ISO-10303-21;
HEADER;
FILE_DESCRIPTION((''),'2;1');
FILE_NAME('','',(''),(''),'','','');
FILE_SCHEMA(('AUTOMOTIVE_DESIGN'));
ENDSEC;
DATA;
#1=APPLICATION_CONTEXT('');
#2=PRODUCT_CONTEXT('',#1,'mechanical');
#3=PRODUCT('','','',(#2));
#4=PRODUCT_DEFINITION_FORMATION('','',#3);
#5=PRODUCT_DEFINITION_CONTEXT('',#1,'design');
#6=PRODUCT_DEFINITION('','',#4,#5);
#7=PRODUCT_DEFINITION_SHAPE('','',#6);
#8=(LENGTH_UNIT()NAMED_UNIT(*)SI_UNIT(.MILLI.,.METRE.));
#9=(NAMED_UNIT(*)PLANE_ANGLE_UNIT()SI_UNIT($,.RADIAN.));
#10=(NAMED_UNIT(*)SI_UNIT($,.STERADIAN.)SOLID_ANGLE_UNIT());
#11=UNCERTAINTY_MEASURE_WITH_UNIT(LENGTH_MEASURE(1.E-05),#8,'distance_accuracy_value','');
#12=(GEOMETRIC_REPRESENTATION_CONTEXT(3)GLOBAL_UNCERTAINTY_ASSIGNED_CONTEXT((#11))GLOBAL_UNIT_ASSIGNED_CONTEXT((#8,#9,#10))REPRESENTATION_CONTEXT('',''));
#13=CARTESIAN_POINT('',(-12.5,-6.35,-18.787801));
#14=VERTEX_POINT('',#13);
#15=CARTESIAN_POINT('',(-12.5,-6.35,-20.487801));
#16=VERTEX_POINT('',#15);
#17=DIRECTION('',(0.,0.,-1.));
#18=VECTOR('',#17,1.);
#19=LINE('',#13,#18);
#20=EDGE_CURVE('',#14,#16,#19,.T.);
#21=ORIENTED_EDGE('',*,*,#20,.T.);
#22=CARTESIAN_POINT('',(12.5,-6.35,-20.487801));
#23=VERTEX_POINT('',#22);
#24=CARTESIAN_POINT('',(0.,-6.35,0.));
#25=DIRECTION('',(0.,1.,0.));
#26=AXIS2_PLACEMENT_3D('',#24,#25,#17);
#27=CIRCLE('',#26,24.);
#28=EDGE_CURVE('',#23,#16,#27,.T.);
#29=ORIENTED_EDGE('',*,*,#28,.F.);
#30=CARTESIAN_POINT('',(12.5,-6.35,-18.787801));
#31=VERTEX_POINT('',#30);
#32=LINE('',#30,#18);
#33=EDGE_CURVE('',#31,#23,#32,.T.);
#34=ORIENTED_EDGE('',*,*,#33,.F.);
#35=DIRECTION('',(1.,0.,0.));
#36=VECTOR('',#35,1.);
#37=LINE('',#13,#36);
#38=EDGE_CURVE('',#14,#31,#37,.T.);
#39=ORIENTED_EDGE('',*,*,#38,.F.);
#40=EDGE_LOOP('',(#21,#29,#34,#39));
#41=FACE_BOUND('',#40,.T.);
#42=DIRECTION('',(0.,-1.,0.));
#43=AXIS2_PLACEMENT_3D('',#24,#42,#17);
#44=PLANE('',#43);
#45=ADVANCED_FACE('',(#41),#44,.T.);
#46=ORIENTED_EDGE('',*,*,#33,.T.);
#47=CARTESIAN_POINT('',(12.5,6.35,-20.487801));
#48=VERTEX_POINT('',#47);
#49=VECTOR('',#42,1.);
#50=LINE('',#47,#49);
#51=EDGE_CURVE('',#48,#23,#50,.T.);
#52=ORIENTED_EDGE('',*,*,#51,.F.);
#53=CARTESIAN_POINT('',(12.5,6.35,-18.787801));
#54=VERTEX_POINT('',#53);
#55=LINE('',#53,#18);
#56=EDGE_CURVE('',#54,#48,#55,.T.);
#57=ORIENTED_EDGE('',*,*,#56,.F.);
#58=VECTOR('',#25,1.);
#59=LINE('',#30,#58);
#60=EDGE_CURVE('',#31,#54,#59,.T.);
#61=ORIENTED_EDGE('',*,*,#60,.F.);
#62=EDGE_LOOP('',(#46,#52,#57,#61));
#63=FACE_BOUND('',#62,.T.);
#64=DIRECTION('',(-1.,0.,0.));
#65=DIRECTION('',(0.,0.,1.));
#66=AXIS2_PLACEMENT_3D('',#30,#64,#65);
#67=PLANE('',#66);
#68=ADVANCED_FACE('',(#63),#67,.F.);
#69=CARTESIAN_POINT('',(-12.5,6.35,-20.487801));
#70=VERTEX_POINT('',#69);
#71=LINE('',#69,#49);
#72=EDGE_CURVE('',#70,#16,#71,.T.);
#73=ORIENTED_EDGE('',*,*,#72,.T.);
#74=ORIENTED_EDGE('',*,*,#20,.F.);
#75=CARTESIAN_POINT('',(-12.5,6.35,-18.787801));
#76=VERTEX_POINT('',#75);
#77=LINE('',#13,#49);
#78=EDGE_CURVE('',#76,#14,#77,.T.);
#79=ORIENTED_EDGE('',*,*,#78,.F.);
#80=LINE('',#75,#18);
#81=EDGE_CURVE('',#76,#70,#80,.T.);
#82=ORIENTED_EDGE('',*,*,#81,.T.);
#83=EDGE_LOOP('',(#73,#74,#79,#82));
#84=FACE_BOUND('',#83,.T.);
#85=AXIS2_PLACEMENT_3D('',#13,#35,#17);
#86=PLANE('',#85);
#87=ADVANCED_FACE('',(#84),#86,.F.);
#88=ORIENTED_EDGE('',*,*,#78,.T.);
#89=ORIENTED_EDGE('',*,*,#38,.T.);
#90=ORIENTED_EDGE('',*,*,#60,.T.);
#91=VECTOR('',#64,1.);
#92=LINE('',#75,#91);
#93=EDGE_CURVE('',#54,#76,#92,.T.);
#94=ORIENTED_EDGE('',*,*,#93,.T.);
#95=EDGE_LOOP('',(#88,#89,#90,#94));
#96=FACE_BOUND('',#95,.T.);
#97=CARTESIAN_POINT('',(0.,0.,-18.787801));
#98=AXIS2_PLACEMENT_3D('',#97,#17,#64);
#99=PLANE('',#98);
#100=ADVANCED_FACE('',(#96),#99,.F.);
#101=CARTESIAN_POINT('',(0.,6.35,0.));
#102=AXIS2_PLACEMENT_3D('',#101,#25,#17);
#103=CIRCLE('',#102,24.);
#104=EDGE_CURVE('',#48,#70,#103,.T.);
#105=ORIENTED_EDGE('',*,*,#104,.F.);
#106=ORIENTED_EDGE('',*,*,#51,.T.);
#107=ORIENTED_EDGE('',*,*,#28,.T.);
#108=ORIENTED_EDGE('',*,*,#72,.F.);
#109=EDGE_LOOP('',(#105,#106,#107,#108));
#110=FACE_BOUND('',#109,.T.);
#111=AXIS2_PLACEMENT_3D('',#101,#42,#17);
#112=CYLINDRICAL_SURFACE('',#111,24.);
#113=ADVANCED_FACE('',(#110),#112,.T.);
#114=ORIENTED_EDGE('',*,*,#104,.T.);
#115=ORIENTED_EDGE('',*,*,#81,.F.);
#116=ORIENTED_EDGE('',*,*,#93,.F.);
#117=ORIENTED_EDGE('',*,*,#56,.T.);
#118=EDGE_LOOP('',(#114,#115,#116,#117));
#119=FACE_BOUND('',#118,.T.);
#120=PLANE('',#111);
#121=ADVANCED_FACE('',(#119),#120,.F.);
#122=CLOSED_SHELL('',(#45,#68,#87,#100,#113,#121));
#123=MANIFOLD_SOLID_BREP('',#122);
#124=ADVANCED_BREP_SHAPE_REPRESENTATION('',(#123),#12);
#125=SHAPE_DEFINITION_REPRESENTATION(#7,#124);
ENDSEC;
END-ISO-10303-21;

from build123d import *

# Parameters (mm, degrees)
BOSS_EXTRUDE1_DEPTH = 6.35
SKETCH2_W           = 25
SKETCH2_H           = 12.7
BOSS_EXTRUDE2_DEPTH = 1.7


with BuildPart() as part:
    # Sketch1 → Boss-Extrude1 (new, symmetric)
    with BuildSketch(Plane(origin=(0, 0, 0), x_dir=(1, 0, 0), z_dir=(0, 1, 0))):
        with BuildLine():
            Line((-12.5, 20.487801249), (12.5, 20.487801249))
            ThreePointArc((12.5, 20.487801249), (0, 24), (-12.5, 20.487801249))
        make_face()
    extrude(amount=BOSS_EXTRUDE1_DEPTH, both=True)

    # Sketch2 → Boss-Extrude2 (add)
    with BuildSketch(Plane.XY.offset(-20.487801249)):
        Rectangle(SKETCH2_W, SKETCH2_H)
    extrude(amount=BOSS_EXTRUDE2_DEPTH)


solid = part.part
